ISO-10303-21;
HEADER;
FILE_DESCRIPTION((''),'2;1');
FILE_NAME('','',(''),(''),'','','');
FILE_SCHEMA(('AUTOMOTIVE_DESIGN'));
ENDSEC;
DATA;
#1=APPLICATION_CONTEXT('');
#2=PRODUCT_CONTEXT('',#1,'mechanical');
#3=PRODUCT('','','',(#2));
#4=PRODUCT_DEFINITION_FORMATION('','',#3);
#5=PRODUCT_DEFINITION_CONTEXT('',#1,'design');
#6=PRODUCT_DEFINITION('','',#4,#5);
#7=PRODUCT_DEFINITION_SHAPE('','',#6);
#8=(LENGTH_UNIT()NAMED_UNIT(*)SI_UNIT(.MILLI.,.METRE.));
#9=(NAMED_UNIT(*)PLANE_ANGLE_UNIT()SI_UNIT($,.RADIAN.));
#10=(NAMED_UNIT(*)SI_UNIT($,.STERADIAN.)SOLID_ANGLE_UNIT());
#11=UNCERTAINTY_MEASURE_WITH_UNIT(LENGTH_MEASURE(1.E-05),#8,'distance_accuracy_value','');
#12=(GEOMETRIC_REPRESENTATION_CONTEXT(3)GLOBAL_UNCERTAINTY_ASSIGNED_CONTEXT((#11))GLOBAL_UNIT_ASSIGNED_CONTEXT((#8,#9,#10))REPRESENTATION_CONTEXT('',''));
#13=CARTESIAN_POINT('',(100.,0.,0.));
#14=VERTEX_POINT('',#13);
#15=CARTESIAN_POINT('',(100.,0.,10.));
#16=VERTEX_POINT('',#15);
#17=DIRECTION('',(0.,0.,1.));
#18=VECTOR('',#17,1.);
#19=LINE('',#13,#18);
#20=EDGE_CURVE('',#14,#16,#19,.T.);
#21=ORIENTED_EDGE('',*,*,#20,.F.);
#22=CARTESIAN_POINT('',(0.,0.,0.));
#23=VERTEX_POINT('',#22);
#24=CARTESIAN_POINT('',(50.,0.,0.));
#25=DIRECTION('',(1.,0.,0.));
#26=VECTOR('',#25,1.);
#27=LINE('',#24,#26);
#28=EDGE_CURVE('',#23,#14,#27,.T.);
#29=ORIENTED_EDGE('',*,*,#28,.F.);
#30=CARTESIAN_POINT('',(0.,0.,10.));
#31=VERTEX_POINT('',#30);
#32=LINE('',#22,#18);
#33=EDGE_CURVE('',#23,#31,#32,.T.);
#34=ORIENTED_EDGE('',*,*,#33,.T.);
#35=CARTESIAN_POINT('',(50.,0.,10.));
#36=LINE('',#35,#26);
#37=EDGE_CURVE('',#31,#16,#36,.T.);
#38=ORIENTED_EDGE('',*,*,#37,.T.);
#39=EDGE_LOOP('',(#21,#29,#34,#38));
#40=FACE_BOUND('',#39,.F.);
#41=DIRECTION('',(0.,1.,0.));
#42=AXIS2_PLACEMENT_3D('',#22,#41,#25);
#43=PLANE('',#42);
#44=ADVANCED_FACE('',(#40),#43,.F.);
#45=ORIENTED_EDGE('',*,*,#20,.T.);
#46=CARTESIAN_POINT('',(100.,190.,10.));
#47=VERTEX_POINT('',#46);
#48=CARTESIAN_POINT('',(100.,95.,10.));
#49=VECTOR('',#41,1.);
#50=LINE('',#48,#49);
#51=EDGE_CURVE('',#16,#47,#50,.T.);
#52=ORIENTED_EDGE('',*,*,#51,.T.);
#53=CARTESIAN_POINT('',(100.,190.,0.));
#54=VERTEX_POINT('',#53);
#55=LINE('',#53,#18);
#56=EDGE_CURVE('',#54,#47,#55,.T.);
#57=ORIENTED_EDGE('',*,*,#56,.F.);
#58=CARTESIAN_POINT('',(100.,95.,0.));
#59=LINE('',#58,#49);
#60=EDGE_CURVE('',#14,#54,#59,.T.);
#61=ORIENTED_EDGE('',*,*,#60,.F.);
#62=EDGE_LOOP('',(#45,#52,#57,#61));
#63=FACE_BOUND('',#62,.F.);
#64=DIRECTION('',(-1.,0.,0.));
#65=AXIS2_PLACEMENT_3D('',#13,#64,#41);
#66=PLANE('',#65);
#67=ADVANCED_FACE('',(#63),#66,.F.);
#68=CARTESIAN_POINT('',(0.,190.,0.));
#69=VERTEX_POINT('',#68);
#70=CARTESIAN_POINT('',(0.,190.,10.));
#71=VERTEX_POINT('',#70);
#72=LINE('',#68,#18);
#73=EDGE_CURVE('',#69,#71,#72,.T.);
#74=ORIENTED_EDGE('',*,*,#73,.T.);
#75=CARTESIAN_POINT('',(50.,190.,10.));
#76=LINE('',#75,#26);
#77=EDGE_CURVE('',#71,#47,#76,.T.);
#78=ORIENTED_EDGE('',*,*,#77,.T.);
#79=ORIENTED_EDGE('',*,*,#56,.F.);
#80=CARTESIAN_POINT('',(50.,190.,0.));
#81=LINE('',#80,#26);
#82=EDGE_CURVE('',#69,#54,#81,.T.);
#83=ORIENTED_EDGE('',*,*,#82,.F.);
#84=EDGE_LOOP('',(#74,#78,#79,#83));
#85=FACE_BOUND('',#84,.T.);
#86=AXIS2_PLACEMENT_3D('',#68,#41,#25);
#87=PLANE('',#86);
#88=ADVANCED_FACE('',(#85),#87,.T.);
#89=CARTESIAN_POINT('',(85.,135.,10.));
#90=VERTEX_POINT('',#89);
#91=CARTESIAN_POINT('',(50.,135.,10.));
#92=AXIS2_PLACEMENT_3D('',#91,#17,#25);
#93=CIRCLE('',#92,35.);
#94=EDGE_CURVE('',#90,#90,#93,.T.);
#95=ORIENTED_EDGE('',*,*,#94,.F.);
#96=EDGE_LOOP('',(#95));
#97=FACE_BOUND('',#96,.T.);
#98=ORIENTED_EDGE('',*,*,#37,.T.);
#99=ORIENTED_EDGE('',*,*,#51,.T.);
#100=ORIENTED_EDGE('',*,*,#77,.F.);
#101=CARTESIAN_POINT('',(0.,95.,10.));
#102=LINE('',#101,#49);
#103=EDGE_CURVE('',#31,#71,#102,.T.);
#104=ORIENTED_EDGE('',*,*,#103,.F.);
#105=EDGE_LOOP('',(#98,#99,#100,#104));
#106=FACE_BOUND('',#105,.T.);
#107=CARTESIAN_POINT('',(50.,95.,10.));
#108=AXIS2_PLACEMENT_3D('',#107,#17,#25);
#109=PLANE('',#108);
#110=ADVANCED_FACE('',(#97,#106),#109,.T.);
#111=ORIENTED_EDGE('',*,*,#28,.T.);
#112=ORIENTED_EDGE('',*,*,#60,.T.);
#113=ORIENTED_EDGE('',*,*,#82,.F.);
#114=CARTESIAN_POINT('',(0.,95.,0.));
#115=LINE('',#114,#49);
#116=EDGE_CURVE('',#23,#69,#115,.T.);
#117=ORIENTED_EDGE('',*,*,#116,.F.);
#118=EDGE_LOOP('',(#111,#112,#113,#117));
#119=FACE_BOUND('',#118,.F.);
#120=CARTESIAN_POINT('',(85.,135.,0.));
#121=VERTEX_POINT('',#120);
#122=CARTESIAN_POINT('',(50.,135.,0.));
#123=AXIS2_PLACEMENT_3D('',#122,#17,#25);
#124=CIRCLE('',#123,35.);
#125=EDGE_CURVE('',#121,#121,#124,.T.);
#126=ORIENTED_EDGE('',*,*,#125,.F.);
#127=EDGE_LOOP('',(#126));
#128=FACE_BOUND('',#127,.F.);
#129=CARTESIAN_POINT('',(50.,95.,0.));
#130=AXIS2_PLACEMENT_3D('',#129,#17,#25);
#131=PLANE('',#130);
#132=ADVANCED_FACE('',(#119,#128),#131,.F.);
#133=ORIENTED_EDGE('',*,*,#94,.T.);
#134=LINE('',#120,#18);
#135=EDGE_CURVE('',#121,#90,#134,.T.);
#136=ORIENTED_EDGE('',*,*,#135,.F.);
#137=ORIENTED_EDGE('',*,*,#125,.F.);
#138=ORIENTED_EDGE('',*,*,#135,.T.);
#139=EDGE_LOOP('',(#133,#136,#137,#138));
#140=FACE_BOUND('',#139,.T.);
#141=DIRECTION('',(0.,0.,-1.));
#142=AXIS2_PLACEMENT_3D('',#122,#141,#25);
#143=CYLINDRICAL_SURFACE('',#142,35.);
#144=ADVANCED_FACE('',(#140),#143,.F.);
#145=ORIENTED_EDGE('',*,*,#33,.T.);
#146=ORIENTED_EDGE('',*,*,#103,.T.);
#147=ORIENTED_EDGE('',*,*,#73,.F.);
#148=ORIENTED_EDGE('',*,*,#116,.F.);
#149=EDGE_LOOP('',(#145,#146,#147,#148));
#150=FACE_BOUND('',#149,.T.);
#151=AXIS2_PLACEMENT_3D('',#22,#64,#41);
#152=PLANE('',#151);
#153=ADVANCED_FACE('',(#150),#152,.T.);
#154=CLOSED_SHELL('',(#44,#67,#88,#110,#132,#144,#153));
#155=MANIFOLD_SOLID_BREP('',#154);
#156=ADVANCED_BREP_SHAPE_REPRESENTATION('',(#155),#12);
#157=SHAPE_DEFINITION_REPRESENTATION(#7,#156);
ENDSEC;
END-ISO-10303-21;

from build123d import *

# Parameters (mm, degrees)
SKETCH_W  = 100
SKETCH_H  = 190
SKETCH_R  = 35
PAD_DEPTH = 10


with BuildPart() as part:
    # Sketch → Pad (new body)
    with BuildSketch(Plane.XY):
        with Locations((50, 95)):
            Rectangle(SKETCH_W, SKETCH_H)
        with Locations((50, 135)):
            Circle(SKETCH_R, mode=Mode.SUBTRACT)
    extrude(amount=PAD_DEPTH)


solid = part.part
